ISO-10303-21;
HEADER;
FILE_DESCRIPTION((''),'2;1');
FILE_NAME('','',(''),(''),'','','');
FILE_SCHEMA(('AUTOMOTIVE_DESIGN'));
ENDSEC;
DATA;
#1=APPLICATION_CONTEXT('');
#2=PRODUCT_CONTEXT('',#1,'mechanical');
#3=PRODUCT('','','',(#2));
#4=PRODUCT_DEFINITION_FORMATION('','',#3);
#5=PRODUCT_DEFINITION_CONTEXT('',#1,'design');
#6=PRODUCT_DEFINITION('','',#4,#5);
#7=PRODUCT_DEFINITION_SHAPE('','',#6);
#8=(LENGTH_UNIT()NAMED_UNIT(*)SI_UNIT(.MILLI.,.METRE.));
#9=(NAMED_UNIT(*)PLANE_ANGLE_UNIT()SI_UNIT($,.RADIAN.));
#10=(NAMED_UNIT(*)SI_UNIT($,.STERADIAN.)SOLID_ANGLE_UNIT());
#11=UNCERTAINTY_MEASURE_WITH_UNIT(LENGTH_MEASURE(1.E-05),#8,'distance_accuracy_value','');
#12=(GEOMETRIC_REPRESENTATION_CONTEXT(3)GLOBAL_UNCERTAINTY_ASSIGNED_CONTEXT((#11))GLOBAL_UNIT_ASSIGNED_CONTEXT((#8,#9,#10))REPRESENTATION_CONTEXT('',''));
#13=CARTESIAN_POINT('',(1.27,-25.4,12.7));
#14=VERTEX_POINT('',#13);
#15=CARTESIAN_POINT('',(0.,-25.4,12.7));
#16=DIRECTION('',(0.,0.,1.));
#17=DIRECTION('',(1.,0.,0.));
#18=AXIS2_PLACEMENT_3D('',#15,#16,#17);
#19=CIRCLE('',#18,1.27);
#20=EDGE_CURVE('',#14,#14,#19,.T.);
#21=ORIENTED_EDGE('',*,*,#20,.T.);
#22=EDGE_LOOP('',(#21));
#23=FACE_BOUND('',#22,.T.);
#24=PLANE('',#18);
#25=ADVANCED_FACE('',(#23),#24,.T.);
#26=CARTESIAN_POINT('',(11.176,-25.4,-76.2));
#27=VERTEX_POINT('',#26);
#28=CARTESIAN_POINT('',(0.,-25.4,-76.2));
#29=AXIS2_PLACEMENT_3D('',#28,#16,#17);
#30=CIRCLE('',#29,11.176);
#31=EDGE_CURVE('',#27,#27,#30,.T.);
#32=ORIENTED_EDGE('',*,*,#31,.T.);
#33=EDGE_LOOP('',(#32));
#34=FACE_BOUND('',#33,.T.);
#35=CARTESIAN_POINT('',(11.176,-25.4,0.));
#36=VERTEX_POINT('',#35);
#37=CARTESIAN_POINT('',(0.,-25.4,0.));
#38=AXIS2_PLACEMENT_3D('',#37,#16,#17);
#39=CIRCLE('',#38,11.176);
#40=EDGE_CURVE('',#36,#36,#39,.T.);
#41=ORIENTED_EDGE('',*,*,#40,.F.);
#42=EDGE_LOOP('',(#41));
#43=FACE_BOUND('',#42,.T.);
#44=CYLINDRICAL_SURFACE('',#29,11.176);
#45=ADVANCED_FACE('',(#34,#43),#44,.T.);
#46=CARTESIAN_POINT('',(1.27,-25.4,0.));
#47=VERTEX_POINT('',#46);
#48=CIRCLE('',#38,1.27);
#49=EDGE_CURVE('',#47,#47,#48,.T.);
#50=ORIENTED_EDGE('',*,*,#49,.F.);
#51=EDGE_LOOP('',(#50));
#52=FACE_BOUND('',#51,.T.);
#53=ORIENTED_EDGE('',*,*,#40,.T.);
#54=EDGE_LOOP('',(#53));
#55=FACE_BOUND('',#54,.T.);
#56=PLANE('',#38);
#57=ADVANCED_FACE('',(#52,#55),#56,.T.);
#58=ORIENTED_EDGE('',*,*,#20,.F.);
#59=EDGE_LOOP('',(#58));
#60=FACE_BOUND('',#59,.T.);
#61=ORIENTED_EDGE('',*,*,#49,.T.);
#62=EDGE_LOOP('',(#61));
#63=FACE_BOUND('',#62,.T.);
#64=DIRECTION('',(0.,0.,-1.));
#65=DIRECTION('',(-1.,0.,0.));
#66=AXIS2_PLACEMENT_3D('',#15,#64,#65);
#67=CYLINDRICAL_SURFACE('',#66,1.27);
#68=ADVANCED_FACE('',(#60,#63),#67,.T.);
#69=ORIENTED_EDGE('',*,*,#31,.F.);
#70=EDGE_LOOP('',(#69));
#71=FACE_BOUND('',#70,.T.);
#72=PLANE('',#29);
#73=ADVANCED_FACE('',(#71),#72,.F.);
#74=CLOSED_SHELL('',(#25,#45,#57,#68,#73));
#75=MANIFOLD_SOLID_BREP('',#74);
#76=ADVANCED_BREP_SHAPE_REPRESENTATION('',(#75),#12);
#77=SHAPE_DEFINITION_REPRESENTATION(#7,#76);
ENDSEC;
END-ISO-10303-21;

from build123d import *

# Parameters (mm, degrees)
SKETCH1_R           = 11.176
BOSS_EXTRUDE1_DEPTH = 76.2
SKETCH2_R           = 1.27
BOSS_EXTRUDE2_DEPTH = 12.7


with BuildPart() as part:
    # Sketch1 → Boss-Extrude1 (new body)
    with BuildSketch(Plane.XY):
        with Locations((0, -25.4)):
            Circle(SKETCH1_R)
    extrude(amount=-BOSS_EXTRUDE1_DEPTH)

    # Sketch2 → Boss-Extrude2 (add)
    with BuildSketch(Plane.XY):
        with Locations((0, -25.4)):
            Circle(SKETCH2_R)
    extrude(amount=BOSS_EXTRUDE2_DEPTH)


solid = part.part
